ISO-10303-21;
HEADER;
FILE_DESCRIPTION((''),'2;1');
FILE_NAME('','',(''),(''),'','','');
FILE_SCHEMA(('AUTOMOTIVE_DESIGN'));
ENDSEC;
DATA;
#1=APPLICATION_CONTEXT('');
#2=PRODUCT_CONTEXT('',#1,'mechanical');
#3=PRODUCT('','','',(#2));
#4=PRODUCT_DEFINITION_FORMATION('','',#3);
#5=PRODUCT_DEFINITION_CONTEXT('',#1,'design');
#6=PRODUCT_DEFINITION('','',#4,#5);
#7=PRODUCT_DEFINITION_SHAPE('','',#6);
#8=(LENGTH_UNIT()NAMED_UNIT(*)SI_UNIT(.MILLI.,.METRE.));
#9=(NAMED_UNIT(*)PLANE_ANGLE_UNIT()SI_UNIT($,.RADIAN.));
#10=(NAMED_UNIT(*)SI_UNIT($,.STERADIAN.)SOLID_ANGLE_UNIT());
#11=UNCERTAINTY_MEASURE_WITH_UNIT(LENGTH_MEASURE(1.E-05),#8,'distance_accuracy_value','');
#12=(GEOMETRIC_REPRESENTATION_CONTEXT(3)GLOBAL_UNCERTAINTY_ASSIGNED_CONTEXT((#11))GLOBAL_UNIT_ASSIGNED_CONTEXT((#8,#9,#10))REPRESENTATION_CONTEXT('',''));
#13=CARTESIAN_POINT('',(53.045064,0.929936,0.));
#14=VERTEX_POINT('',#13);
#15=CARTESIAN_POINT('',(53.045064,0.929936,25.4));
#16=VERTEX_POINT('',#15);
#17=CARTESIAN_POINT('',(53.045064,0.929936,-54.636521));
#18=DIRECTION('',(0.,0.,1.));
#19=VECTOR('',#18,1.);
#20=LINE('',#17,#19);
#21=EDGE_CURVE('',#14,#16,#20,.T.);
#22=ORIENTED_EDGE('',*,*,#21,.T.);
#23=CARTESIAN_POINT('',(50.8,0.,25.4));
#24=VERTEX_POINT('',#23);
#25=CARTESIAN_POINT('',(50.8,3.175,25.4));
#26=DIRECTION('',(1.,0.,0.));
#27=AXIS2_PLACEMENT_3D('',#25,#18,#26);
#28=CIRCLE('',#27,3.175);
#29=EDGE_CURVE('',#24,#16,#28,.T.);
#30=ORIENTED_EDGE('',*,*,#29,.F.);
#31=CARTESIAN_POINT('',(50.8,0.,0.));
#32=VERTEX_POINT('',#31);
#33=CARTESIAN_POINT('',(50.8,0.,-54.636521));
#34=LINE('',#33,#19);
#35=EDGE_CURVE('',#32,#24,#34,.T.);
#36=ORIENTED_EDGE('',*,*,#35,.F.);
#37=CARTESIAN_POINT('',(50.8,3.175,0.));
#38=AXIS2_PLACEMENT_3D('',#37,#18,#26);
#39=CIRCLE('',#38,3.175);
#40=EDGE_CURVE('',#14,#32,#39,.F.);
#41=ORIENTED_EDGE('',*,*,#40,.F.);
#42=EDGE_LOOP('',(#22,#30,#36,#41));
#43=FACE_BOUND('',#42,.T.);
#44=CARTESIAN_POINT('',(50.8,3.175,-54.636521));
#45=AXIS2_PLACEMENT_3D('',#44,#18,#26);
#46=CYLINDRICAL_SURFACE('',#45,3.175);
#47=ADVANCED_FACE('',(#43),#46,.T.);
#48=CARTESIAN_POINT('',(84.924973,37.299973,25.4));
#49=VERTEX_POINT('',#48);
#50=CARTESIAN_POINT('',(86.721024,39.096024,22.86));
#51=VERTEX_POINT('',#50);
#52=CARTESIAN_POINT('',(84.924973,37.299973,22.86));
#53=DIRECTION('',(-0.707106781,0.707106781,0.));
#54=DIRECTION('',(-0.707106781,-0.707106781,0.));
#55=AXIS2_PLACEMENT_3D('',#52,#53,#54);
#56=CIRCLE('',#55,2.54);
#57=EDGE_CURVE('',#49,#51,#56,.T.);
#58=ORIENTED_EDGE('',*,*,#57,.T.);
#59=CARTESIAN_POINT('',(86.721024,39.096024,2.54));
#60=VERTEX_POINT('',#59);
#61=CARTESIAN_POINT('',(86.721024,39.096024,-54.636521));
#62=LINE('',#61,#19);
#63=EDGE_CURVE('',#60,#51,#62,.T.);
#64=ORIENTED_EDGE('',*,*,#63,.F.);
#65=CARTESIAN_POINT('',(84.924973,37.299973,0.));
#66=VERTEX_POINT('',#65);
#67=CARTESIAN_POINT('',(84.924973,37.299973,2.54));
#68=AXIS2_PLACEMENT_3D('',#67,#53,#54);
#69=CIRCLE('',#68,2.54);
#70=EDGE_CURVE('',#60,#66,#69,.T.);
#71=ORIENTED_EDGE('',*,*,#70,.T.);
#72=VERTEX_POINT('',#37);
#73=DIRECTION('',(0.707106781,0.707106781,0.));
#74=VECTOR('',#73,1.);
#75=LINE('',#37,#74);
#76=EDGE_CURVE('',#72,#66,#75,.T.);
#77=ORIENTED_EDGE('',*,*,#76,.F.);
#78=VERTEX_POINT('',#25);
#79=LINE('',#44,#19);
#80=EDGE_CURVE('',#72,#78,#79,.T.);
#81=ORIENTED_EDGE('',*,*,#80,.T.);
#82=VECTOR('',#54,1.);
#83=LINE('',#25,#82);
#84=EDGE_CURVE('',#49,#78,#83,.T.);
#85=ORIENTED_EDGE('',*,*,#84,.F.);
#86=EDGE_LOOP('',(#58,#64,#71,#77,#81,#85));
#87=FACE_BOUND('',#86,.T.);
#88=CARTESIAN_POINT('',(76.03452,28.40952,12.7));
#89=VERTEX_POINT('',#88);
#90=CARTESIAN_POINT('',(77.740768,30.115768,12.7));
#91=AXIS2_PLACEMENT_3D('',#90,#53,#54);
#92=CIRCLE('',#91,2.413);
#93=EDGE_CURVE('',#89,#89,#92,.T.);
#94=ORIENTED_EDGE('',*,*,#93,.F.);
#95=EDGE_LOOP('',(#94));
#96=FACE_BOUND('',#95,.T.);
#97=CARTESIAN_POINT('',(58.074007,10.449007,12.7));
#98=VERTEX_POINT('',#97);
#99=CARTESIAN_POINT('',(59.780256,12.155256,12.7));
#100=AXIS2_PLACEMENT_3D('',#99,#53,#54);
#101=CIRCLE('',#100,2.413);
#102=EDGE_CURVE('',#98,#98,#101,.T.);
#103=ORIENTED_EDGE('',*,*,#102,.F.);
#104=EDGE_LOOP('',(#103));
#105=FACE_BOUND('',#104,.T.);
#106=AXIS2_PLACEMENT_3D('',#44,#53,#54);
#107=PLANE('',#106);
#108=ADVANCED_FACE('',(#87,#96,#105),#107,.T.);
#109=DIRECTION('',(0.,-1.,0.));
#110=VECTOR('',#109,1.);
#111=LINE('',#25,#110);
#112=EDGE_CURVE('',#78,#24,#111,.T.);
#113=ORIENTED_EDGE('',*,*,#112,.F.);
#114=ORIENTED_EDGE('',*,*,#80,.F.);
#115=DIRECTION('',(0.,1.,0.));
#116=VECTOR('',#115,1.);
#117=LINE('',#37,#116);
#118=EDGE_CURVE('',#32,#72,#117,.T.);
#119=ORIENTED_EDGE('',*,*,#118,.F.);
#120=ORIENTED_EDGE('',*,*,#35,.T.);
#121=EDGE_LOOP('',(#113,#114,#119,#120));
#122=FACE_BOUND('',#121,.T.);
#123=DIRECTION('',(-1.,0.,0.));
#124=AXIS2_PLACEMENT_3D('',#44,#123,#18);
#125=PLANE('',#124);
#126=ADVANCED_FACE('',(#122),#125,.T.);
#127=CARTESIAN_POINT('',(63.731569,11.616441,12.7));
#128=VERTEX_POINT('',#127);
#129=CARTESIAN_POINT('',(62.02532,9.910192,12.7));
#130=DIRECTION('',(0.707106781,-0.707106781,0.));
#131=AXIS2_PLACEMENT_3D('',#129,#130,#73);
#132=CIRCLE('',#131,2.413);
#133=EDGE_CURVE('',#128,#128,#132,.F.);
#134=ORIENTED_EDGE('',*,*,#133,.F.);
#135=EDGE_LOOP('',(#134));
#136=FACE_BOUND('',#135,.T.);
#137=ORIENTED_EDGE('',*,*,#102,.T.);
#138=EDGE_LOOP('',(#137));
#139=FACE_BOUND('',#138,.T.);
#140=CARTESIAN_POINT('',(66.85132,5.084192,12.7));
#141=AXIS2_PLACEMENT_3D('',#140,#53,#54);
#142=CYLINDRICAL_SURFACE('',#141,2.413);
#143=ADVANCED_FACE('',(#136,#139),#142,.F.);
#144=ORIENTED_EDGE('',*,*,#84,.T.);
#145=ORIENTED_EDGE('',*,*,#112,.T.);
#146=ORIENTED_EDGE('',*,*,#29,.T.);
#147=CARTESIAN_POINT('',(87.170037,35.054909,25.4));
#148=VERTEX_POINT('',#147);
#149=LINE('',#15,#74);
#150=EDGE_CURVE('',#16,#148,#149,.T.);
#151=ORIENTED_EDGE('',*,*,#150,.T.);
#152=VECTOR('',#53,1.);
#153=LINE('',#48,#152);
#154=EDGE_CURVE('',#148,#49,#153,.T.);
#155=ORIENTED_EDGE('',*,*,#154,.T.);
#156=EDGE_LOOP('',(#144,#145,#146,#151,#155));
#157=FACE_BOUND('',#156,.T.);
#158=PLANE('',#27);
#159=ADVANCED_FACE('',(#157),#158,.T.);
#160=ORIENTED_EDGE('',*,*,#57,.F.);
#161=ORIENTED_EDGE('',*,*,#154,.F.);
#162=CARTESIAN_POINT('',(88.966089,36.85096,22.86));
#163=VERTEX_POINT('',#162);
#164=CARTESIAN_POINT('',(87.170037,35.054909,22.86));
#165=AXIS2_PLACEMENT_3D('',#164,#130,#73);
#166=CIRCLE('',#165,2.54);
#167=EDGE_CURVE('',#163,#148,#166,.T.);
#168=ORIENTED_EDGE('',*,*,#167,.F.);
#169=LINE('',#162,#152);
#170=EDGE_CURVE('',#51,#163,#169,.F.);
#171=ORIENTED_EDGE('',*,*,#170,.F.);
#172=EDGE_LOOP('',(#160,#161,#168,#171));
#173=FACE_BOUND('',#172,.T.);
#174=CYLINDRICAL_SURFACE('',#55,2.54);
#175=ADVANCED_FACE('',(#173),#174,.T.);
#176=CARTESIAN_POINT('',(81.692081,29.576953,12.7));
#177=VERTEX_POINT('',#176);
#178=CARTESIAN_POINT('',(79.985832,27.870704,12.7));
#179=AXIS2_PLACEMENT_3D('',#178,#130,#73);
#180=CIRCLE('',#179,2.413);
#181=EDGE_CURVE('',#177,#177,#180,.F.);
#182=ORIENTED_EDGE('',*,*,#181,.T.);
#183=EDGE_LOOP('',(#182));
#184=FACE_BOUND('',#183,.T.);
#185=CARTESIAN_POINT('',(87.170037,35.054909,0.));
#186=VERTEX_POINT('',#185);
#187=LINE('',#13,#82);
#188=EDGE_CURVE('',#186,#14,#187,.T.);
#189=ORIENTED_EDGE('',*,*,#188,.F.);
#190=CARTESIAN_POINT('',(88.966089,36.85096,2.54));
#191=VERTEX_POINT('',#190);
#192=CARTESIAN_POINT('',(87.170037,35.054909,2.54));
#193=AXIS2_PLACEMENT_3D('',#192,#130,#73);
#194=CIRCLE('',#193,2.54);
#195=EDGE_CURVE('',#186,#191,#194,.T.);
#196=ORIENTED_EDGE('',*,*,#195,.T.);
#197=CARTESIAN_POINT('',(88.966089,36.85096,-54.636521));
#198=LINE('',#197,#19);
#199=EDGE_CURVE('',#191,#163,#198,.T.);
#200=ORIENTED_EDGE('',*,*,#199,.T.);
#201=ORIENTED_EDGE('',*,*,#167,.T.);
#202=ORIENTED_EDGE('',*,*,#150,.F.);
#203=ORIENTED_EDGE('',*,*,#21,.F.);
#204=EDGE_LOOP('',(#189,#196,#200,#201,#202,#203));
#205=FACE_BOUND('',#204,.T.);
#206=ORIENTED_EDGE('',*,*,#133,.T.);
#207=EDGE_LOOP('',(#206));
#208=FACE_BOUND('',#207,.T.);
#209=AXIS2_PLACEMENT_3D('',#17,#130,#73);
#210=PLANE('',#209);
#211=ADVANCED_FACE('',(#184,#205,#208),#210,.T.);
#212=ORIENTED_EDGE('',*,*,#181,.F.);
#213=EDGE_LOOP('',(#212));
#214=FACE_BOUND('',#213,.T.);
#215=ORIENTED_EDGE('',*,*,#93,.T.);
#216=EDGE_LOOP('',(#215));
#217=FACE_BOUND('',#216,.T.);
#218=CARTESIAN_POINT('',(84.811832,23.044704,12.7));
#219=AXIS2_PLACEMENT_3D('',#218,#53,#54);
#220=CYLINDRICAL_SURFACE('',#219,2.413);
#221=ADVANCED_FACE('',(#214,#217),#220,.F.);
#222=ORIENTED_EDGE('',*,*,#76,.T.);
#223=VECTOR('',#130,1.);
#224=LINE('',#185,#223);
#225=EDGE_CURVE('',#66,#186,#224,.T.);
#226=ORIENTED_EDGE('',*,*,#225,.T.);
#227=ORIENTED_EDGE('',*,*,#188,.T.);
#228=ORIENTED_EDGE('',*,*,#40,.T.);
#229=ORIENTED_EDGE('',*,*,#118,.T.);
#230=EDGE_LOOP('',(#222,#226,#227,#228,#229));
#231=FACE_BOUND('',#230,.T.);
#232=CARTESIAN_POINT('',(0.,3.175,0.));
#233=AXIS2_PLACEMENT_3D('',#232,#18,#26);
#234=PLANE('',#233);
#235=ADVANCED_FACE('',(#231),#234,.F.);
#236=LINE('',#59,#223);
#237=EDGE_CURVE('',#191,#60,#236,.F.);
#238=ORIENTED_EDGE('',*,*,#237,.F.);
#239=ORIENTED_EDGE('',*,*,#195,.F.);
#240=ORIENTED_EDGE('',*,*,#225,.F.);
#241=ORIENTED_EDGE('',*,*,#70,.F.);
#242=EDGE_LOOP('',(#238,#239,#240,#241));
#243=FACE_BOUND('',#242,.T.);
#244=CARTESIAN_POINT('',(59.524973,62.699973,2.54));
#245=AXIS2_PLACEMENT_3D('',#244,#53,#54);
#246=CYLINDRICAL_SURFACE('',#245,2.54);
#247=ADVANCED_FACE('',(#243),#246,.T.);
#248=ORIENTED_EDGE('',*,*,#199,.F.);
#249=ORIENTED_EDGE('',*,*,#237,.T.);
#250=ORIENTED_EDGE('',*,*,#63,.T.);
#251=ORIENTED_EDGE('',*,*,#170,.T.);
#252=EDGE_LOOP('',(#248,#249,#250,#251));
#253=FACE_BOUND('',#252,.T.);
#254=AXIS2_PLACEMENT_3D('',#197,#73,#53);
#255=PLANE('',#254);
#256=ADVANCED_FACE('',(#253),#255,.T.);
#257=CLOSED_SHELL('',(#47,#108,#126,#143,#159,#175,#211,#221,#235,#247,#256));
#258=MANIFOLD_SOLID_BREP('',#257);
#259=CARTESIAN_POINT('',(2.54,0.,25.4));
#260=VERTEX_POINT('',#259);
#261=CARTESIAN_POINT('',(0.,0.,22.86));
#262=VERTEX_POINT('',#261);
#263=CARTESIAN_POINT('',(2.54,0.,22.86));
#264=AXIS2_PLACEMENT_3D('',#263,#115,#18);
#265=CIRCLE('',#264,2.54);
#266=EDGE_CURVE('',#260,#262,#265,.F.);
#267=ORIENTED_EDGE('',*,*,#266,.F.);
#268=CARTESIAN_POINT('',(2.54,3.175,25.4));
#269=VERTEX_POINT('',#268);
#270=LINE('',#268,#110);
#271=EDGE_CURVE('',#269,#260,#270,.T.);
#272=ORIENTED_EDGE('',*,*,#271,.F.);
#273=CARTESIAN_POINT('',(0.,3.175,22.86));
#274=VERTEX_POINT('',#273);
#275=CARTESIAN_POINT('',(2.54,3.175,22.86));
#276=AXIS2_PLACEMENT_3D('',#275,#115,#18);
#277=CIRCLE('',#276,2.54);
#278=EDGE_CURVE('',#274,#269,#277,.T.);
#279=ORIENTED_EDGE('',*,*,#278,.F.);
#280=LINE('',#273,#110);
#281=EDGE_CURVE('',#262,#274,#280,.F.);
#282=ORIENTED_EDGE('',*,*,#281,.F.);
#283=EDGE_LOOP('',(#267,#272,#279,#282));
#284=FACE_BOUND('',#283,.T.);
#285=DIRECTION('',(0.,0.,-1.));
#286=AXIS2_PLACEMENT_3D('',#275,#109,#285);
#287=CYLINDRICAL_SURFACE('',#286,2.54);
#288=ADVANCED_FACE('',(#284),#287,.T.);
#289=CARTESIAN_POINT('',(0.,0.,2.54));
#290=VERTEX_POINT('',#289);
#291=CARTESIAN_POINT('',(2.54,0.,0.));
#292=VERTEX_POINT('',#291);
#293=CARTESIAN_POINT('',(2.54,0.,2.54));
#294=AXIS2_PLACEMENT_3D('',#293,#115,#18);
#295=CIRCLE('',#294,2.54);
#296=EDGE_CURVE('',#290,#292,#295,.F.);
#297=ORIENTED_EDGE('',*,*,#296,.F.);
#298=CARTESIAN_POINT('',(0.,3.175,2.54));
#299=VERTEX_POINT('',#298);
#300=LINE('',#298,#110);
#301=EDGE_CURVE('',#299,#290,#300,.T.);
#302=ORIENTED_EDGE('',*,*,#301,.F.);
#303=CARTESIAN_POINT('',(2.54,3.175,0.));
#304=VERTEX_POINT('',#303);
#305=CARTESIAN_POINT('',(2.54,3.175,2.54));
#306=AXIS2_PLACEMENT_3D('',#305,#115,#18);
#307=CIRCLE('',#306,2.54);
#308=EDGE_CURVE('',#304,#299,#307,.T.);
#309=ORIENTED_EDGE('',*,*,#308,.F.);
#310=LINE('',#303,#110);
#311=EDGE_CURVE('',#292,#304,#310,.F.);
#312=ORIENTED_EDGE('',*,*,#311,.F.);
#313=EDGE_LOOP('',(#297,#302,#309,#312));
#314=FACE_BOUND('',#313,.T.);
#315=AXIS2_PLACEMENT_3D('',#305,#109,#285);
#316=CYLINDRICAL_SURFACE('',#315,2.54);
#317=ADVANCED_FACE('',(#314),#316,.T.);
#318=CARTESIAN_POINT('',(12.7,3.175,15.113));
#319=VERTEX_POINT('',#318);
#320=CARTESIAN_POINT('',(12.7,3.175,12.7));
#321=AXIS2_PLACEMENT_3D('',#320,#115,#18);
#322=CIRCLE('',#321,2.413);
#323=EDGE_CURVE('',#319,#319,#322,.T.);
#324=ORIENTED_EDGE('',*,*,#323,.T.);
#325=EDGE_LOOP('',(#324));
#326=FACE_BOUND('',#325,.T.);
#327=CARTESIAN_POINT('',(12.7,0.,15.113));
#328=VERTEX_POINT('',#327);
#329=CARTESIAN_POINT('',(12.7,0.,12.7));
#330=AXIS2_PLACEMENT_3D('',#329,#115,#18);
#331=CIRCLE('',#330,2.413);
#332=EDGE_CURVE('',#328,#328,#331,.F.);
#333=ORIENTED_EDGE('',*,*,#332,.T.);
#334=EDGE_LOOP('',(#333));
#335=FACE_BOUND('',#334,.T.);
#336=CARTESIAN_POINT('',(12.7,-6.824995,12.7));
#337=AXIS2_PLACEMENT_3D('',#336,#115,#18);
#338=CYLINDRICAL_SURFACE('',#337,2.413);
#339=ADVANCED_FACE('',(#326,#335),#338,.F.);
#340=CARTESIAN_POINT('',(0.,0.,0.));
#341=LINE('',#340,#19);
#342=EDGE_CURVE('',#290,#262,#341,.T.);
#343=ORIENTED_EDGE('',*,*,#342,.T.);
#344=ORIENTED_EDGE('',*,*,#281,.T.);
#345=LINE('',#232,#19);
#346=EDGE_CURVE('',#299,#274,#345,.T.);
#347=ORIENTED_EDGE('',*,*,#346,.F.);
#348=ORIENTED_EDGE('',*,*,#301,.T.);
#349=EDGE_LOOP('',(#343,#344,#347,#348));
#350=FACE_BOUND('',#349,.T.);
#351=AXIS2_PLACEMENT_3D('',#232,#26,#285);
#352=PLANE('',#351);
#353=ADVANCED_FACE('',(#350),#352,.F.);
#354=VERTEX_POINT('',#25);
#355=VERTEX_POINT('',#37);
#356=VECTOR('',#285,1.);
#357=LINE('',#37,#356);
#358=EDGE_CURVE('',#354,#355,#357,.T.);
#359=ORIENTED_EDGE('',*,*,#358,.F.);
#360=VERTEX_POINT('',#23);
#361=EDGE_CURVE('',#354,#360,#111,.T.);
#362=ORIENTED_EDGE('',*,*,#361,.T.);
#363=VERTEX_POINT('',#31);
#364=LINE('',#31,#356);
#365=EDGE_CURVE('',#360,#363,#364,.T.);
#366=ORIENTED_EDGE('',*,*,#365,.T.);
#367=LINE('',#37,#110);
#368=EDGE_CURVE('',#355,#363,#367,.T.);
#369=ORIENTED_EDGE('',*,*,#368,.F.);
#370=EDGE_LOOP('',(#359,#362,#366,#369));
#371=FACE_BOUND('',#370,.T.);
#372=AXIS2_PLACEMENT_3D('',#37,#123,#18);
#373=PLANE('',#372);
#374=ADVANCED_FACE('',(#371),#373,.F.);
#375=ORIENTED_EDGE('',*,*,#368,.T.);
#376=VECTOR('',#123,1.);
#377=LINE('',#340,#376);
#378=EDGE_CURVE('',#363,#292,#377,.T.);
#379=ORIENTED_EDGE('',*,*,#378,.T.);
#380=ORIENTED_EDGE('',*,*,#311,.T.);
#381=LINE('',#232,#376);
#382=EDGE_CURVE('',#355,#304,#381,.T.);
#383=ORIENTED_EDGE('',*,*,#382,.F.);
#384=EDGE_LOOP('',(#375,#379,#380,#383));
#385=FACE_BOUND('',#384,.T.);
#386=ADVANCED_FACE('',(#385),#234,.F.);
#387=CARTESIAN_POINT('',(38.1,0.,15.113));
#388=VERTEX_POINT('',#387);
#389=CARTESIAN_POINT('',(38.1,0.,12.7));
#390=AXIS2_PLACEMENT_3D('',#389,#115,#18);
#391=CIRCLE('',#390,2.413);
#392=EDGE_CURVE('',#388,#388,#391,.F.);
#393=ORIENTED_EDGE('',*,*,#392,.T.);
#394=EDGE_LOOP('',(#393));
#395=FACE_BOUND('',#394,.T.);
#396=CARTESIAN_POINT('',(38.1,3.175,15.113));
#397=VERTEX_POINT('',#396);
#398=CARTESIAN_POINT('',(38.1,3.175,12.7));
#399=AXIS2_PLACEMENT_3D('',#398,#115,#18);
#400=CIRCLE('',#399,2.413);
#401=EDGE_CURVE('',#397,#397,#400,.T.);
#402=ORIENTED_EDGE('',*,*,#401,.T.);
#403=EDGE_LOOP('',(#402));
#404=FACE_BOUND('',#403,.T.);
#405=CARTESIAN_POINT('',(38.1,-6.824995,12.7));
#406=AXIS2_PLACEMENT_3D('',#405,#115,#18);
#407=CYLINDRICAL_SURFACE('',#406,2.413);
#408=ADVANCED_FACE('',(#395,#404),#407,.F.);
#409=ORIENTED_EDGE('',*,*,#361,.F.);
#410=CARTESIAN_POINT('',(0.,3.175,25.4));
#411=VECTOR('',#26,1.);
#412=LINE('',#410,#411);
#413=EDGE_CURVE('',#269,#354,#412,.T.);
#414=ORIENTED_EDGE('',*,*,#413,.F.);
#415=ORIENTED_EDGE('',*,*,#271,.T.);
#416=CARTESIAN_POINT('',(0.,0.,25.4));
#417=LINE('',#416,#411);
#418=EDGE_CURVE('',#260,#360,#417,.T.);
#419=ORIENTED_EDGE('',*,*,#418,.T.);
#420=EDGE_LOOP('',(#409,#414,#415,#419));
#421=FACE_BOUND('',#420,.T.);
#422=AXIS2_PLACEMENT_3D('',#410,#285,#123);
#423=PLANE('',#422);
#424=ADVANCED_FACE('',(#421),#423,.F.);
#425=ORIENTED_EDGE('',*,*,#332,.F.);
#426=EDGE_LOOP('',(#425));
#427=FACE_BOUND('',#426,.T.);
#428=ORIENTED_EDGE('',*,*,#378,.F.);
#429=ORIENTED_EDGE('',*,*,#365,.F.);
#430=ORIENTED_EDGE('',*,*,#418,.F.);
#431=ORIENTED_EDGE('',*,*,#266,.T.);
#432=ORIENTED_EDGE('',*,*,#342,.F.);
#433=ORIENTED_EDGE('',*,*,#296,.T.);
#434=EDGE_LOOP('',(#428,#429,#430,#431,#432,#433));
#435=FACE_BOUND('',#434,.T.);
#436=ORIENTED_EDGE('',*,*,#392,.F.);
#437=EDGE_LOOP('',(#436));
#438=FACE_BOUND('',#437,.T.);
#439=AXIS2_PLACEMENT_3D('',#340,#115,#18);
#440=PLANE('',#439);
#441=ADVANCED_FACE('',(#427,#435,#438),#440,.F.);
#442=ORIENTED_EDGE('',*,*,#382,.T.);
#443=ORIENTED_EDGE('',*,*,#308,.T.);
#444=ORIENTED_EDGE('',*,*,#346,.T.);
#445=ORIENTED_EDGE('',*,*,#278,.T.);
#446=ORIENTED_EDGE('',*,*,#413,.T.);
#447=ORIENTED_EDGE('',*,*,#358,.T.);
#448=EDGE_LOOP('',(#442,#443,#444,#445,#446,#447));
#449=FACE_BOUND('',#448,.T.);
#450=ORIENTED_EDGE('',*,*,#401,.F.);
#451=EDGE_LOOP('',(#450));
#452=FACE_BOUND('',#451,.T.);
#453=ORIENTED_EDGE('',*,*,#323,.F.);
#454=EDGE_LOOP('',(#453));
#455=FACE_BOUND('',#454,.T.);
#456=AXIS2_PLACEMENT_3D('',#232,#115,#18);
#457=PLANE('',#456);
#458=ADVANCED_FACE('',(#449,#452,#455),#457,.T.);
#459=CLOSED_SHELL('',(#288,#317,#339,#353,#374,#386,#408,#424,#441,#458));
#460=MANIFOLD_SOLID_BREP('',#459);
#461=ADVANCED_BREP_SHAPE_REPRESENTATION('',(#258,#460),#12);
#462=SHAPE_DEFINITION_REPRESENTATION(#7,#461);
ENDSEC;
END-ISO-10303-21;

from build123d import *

# Parameters (mm, degrees)
SKETCH1_W           = 50.8
SKETCH1_H           = 25.4
BOSS_EXTRUDE1_DEPTH = 3.175
BOSS_EXTRUDE2_DEPTH = 25.4
SKETCH4_R           = 2.413
CUT_EXTRUDE1_DEPTH  = 3.175
SKETCH5_R           = 2.413
CUT_EXTRUDE2_DEPTH  = 3.175
FILLET1_R           = 2.54
FILLET2_R           = 2.54


with BuildPart() as part:
    # Sketch1 → Boss-Extrude1 (new body)
    with BuildSketch(Plane(origin=(0, 0, 0), x_dir=(1, 0, 0), z_dir=(0, 1, 0))):
        with Locations((25.4, -12.7)):
            Rectangle(SKETCH1_W, SKETCH1_H)
    extrude(amount=BOSS_EXTRUDE1_DEPTH)

    # Sketch4 → Cut-Extrude1 (cut)
    with BuildSketch(Plane(origin=(0, 3.175, 0), x_dir=(1, 0, 0), z_dir=(0, 1, 0))):
        with Locations((38.1, -12.7)):
            Circle(SKETCH4_R)
        with Locations((12.7, -12.7)):
            Circle(SKETCH4_R)
    extrude(amount=-CUT_EXTRUDE1_DEPTH, mode=Mode.SUBTRACT)

    # Fillet2
    fillet2_edges = [part.edges().sort_by_distance(p)[0] for p in [
        (0, 1.5875, 0),
        (0, 1.5875, 25.4),
    ]]
    fillet(fillet2_edges, radius=FILLET2_R)


with BuildPart() as body_2:
    # Sketch2 → Boss-Extrude2 (new body)
    with BuildSketch(Plane.XY.offset(25.4)):
        with BuildLine():
            Line((50.8, 3.175), (86.721024484, 39.096024484))
            Line((86.721024484, 39.096024484), (88.966088515, 36.850960454))
            Line((88.966088515, 36.850960454), (53.04506403, 0.92993597))
            ThreePointArc((53.04506403, 0.92993597), (52.015019898, 0.241682484), (50.8, 0))
            Line((50.8, 0), (50.8, 3.175))
        make_face()
    extrude(amount=-BOSS_EXTRUDE2_DEPTH)

    # Sketch5 → Cut-Extrude2 (cut)
    with BuildSketch(Plane(origin=(23.8125, -23.8125, 0), x_dir=(0, 0, 1), z_dir=(-0.707106781, 0.707106781, 0))):
        with Locations((12.7, 50.866088515)):
            Circle(SKETCH5_R)
        with Locations((12.7, 76.266088515)):
            Circle(SKETCH5_R)
    extrude(amount=-CUT_EXTRUDE2_DEPTH, mode=Mode.SUBTRACT)

    # Fillet1
    fillet1_edges = [body_2.edges().sort_by_distance(p)[0] for p in [
        (87.843556499, 37.973492469, 0),
        (87.843556499, 37.973492469, 25.4),
    ]]
    fillet(fillet1_edges, radius=FILLET1_R)


solid = Compound([part.part, body_2.part])
